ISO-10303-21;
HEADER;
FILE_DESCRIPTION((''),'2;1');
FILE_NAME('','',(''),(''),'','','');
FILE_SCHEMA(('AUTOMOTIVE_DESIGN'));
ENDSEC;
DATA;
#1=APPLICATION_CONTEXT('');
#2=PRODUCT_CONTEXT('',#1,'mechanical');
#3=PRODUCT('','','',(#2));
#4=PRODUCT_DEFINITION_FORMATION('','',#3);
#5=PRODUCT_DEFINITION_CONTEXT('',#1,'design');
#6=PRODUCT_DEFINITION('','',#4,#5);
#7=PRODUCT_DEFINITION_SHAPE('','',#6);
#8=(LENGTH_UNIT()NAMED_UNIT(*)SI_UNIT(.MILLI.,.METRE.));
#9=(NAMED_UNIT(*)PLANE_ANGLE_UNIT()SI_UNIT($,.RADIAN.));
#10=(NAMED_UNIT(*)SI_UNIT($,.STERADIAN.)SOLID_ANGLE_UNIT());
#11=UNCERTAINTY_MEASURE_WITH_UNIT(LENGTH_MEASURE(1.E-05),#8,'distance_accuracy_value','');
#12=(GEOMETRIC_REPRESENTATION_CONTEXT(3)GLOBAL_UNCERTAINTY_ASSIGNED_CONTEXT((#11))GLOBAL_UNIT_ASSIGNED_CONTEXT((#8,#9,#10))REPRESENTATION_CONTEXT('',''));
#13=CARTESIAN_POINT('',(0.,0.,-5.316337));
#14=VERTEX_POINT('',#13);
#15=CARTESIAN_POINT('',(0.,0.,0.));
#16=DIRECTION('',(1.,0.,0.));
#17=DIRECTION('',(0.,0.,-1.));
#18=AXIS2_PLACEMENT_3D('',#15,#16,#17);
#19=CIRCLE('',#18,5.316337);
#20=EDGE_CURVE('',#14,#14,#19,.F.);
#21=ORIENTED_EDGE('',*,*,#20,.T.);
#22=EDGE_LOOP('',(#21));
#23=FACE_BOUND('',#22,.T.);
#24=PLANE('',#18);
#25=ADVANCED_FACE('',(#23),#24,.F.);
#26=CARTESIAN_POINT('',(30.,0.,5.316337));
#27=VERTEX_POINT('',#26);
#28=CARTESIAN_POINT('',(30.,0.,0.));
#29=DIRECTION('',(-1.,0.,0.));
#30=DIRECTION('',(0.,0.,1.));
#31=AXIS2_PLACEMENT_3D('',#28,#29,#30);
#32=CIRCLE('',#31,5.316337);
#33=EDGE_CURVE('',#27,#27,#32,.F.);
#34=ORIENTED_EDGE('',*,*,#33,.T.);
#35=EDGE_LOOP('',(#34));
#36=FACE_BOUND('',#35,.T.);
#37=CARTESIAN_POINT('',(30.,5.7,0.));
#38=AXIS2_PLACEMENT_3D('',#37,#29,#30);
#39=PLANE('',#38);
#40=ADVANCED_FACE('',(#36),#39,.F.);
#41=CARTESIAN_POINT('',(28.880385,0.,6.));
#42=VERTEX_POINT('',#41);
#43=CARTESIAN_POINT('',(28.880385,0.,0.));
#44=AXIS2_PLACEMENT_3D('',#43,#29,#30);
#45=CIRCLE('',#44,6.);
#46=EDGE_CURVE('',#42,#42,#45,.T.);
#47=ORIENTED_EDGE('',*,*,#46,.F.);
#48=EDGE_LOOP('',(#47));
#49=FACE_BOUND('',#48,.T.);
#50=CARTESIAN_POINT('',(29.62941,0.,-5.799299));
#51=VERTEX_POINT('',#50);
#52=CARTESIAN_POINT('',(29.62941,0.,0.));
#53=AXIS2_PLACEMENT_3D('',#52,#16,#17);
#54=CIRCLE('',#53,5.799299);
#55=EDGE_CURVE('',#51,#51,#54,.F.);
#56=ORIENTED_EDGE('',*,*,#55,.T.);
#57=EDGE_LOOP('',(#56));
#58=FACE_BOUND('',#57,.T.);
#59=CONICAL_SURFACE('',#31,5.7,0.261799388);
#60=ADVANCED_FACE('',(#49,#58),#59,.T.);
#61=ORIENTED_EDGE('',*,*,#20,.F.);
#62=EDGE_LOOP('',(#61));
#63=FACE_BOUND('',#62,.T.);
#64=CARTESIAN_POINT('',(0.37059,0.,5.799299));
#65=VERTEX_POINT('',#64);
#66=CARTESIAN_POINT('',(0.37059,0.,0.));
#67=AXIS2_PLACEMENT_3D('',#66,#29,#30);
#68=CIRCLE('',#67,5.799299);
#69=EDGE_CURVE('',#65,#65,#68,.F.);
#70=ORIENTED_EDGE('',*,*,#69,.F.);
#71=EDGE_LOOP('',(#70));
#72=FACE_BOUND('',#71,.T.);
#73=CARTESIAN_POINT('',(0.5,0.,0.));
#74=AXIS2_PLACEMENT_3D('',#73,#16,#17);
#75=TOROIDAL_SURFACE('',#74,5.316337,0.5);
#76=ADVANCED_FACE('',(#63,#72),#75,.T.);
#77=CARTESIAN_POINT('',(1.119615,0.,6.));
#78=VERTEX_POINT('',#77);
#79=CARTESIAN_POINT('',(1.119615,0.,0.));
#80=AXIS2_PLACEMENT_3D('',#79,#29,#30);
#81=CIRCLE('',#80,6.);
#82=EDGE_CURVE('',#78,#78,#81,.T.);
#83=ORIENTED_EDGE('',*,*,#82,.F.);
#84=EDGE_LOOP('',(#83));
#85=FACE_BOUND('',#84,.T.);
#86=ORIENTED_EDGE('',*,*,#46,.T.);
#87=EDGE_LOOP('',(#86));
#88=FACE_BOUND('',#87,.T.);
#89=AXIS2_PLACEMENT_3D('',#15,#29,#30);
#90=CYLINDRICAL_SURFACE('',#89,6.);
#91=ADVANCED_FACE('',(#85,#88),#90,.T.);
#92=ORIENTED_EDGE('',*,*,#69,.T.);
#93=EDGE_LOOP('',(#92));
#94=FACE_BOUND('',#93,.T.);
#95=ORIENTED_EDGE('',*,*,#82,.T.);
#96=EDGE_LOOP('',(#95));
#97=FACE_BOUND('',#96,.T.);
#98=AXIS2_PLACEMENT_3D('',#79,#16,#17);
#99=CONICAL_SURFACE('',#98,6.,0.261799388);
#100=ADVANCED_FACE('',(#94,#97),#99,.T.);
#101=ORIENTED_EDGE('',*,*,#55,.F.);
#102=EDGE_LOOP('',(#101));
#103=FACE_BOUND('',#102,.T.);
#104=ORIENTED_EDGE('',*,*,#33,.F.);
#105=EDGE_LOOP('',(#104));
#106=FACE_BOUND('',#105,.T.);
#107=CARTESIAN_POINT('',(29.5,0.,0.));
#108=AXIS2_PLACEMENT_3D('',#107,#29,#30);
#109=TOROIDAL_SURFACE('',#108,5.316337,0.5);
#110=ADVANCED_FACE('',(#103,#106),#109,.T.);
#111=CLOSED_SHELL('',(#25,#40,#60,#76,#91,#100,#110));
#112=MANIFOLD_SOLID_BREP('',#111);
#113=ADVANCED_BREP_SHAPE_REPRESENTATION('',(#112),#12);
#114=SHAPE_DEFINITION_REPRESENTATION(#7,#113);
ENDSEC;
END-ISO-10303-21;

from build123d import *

# Parameters (mm, degrees)
FILLET1_R = 0.5


with BuildPart() as part:
    # Sketch1 → Revolve1 (revolve)
    with BuildSketch(Plane.XY, mode=Mode.PRIVATE) as revolve1_sk:
        Polygon((0, 0), (0, 5.7), (1.119615242, 6), (28.880384758, 6), (30, 5.7), (30, 0), align=None)
    revolve(revolve1_sk.sketch.rotate(Axis((0, 0, 0), (1, 0, 0)), 90), axis=Axis((0, 0, 0), (1, 0, 0)))

    # Fillet1
    fillet1_edges = [part.edges().sort_by_distance(p)[0] for p in [
        (30, 0, -5.7),
        (0, 0, -5.7),
    ]]
    fillet(fillet1_edges, radius=FILLET1_R)


solid = part.part
